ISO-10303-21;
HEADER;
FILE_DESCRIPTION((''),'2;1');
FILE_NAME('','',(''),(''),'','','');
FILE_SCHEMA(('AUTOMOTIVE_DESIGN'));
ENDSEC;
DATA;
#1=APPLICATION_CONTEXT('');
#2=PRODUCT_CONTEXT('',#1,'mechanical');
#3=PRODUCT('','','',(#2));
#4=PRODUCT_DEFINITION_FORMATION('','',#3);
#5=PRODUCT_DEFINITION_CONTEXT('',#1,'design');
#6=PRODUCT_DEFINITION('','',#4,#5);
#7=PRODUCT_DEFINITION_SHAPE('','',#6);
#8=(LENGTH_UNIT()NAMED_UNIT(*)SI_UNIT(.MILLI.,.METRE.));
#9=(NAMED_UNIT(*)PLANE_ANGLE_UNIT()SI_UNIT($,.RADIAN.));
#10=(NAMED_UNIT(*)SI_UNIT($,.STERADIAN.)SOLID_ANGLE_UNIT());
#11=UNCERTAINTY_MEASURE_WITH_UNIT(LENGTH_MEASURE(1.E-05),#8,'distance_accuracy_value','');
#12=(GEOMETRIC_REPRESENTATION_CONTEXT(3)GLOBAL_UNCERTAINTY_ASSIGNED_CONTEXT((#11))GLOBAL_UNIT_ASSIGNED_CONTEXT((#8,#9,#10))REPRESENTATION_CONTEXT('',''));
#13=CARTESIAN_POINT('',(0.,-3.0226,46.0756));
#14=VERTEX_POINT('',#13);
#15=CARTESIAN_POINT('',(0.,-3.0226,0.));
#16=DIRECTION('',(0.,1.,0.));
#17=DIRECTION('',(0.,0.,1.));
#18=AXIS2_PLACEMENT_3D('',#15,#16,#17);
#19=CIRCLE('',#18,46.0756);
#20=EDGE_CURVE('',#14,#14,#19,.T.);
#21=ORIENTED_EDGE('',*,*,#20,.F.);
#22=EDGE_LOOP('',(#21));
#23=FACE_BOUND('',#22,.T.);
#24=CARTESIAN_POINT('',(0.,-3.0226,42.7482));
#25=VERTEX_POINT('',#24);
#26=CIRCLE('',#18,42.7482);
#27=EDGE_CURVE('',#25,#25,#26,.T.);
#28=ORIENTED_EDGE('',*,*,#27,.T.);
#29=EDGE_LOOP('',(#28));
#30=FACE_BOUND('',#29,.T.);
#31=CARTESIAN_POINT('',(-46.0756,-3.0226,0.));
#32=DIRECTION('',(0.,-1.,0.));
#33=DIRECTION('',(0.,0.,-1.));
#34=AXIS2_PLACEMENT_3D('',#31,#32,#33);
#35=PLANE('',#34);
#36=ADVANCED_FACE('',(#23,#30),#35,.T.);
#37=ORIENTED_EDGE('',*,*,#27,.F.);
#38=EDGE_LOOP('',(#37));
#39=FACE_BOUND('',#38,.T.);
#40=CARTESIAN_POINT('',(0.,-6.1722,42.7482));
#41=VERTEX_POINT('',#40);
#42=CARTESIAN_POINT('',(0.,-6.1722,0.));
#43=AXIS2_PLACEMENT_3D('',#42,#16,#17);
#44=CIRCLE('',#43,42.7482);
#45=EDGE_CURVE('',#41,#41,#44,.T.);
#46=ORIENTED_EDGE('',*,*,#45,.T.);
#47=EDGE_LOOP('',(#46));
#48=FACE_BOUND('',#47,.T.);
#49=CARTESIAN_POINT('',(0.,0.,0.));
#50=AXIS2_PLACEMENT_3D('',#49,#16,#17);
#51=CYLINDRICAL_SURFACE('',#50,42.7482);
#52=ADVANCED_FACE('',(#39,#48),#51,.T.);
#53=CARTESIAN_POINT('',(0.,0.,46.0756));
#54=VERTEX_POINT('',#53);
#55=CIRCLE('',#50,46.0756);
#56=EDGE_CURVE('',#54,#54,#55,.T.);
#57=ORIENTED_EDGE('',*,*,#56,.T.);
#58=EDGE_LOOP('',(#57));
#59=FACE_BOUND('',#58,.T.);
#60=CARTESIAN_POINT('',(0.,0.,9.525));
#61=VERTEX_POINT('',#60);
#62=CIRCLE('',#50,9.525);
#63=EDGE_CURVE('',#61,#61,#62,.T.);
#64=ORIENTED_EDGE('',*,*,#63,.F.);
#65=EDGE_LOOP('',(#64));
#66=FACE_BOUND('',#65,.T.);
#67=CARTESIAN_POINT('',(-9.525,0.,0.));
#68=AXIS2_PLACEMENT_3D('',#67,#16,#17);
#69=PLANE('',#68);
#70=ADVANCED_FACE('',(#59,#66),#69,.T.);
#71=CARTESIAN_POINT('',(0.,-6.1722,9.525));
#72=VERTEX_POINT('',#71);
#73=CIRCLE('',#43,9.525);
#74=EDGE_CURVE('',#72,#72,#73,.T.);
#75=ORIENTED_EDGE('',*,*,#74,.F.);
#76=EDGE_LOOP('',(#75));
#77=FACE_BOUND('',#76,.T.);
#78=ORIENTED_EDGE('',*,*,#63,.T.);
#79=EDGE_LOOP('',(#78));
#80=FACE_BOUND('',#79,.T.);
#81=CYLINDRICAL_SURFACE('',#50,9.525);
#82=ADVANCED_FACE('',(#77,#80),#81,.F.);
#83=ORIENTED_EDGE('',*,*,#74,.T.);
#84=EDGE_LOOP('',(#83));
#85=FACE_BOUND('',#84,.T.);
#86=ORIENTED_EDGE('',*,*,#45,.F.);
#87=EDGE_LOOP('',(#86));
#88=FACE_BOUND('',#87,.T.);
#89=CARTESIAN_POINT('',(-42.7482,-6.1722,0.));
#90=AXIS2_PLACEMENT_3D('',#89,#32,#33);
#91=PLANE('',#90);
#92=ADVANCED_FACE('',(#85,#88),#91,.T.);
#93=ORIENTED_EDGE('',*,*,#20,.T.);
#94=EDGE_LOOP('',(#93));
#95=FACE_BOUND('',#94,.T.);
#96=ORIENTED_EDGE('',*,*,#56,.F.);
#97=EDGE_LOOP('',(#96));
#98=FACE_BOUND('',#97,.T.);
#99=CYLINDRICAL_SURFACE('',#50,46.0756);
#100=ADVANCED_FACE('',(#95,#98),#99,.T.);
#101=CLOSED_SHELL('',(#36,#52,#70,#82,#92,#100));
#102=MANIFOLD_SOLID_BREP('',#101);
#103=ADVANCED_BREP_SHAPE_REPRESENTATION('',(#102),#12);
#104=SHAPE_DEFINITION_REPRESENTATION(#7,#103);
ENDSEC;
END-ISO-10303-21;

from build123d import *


with BuildPart() as part:
    # Sketch1 → Revolve1 (revolve)
    with BuildSketch(Plane.XY):
        Polygon((-9.525, 0), (-46.0756, 0), (-46.0756, -3.0226), (-42.7482, -3.0226), (-42.7482, -6.1722), (-9.525, -6.1722), align=None)
    revolve(axis=Axis((0, 0, 0), (0, -1, 0)))


solid = part.part
